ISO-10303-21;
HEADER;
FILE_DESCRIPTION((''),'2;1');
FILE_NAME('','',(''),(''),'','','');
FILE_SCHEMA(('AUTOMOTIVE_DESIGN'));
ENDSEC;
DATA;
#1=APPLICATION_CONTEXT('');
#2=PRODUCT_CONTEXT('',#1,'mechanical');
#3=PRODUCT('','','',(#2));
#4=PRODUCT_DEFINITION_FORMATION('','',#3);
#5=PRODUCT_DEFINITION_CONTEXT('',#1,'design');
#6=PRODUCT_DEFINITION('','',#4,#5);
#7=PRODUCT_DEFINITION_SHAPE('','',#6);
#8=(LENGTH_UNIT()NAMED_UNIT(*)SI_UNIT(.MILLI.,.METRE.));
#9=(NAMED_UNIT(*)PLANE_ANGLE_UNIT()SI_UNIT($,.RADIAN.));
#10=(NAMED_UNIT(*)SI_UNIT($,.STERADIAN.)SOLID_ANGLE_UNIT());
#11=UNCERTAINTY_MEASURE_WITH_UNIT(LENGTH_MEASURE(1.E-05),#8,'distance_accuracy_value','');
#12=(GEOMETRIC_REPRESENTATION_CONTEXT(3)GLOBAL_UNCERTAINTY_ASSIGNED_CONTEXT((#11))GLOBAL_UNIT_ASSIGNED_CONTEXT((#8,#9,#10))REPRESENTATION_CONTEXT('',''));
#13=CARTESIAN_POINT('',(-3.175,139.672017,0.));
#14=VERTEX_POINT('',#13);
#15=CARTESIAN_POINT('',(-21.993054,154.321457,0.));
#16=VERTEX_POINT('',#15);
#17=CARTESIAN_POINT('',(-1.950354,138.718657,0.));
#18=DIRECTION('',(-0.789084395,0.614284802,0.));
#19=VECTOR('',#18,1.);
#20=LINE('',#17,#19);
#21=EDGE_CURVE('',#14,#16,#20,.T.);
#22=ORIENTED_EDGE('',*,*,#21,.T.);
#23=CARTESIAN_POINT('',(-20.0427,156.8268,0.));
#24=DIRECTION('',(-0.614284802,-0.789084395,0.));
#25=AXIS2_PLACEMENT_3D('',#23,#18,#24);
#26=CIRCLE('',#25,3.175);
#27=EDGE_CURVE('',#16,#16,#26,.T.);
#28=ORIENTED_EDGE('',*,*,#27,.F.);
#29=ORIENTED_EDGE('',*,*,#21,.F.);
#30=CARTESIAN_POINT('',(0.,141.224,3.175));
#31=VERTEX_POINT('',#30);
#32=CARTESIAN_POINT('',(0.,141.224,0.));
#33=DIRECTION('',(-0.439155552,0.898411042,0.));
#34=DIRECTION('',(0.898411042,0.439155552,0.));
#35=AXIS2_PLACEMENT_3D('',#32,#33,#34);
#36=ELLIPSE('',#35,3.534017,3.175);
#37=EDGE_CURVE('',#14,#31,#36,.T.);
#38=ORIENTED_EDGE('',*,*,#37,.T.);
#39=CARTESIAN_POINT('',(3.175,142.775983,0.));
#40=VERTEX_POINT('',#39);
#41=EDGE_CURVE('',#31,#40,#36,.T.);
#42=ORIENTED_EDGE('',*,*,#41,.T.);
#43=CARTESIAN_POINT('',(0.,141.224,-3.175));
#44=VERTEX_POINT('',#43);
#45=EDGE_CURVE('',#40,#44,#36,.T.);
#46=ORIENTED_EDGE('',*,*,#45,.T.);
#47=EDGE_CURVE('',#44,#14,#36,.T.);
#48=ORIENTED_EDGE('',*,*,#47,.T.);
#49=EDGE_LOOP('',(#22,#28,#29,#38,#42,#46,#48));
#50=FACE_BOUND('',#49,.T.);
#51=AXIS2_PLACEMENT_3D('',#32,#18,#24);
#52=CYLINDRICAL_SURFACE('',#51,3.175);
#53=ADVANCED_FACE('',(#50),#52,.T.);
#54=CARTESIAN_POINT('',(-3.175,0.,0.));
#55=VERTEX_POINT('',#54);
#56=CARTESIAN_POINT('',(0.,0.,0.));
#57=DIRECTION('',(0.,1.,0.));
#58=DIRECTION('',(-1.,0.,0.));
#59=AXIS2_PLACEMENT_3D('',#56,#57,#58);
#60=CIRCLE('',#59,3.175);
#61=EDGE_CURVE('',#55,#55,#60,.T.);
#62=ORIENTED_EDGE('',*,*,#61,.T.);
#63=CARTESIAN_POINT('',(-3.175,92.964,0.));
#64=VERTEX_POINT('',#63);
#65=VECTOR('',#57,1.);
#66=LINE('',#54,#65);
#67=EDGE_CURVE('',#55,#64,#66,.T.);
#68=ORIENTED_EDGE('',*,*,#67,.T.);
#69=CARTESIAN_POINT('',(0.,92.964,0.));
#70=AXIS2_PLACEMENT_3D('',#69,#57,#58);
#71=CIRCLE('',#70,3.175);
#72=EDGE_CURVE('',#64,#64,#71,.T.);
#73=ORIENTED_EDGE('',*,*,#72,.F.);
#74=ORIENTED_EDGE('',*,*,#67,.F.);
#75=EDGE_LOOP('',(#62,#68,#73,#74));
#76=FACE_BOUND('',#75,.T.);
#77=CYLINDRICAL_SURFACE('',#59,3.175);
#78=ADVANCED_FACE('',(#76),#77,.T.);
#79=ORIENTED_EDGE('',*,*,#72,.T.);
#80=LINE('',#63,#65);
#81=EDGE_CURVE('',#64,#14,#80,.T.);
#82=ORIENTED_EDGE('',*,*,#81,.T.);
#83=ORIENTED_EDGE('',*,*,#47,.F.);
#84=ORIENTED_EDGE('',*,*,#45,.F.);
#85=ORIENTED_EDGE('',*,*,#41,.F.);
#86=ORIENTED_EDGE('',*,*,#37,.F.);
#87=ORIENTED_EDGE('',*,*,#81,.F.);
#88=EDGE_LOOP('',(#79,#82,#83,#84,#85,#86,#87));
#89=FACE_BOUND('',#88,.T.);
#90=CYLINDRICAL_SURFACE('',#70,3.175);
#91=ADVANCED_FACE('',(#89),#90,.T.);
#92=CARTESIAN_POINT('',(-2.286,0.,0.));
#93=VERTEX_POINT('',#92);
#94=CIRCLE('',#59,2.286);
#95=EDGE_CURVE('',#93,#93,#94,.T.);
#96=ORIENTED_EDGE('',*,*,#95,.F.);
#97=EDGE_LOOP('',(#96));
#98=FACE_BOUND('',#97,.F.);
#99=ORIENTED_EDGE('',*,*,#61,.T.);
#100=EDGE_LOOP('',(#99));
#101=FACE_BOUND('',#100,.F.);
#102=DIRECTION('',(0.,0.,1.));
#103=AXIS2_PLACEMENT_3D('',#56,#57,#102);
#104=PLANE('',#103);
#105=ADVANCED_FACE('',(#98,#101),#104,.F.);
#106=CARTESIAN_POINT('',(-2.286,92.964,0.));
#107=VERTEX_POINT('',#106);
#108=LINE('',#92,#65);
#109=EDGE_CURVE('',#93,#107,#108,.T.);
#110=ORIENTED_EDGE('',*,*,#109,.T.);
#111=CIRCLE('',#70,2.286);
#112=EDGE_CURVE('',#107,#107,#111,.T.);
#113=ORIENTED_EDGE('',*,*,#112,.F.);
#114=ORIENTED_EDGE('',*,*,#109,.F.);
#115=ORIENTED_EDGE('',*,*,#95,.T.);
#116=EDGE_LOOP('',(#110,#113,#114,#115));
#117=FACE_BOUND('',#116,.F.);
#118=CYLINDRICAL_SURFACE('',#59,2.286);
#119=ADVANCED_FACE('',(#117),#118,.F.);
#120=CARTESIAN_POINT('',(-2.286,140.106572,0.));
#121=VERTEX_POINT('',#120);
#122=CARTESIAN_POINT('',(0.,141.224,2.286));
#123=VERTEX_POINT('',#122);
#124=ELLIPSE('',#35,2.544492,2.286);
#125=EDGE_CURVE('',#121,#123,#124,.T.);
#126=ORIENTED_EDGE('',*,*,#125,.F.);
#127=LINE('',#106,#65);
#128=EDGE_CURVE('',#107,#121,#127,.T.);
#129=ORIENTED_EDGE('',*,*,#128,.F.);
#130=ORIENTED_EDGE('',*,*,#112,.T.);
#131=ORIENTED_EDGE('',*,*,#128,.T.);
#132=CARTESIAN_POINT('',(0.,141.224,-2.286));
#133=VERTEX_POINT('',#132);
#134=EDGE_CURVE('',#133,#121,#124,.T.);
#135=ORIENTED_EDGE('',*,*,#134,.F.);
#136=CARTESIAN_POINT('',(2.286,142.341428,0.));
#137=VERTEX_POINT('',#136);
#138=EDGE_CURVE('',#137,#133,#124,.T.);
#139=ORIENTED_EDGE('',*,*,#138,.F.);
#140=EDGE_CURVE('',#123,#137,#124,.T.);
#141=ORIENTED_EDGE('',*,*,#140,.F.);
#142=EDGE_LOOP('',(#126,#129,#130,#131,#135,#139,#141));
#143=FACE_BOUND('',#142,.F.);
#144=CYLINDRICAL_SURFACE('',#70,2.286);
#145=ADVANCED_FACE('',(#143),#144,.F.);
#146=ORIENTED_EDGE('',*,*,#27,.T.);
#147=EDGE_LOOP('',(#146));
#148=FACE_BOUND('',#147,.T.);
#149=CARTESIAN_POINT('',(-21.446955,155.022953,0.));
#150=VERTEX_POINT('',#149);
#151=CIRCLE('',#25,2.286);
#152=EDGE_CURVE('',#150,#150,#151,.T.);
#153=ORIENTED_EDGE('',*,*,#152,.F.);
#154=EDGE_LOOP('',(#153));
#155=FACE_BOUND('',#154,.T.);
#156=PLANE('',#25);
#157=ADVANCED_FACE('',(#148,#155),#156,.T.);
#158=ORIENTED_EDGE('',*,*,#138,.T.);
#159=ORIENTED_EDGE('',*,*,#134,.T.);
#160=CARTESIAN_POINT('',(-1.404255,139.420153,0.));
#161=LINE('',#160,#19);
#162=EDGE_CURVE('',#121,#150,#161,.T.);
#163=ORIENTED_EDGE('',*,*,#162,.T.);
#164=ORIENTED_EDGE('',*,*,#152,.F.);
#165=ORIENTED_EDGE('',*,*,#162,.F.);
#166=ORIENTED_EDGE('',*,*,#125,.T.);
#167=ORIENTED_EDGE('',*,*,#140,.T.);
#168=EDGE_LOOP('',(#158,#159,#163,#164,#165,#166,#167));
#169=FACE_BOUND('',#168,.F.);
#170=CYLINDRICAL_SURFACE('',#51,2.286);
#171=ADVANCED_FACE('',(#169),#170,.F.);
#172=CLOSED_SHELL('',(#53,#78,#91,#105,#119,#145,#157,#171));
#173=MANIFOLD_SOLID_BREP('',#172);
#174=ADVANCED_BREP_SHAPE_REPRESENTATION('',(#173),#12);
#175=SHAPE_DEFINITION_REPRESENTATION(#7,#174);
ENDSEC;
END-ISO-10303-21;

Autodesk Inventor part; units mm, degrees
ref_plane "YZ Plane" through (0, 0, 0) normal (1, 0, 0) x (0, 1, 0)
ref_plane "XZ Plane" through (0, 0, 0) normal (0, 1, 0) x (-1, 0, 0)
ref_plane "XY Plane" through (0, 0, 0) normal (0, 0, 1) x (1, 0, 0)
sketch "Sketch1" plane through (0, 0, 0) normal (0, 1, 0) x (-1, 0, 0)
  circle A0 centre (0, 0) radius 2.286
  circle A1 centre (0, 0) radius 3.175
  dimension "d0" = 4.572
  dimension "d1" = 6.35
sketch "Sketch2" plane through (0, 0, 0) normal (0, 0, 1) x (1, 0, 0)
  line L0 (0, 0) -> (0, 92.964)
  line L1 (0, 0) -> (92.964, 0) construction
  line L2 (0, 92.964) -> (0, 141.224)
  line L3 (0, 141.224) -> (-20.0427, 156.8268)
  line L4 (0, 141.224) -> (25.4, 141.224) construction
  dimension "d2" = 92.964
  dimension "d3" = 90
  dimension "d4" = 48.26
  dimension "d5" = 25.4
  dimension "d6" = 142.1
sweep "Sweep1" add profiles "Sketch1" path "Sketch2"
properties part number "feedthroughpipe"
